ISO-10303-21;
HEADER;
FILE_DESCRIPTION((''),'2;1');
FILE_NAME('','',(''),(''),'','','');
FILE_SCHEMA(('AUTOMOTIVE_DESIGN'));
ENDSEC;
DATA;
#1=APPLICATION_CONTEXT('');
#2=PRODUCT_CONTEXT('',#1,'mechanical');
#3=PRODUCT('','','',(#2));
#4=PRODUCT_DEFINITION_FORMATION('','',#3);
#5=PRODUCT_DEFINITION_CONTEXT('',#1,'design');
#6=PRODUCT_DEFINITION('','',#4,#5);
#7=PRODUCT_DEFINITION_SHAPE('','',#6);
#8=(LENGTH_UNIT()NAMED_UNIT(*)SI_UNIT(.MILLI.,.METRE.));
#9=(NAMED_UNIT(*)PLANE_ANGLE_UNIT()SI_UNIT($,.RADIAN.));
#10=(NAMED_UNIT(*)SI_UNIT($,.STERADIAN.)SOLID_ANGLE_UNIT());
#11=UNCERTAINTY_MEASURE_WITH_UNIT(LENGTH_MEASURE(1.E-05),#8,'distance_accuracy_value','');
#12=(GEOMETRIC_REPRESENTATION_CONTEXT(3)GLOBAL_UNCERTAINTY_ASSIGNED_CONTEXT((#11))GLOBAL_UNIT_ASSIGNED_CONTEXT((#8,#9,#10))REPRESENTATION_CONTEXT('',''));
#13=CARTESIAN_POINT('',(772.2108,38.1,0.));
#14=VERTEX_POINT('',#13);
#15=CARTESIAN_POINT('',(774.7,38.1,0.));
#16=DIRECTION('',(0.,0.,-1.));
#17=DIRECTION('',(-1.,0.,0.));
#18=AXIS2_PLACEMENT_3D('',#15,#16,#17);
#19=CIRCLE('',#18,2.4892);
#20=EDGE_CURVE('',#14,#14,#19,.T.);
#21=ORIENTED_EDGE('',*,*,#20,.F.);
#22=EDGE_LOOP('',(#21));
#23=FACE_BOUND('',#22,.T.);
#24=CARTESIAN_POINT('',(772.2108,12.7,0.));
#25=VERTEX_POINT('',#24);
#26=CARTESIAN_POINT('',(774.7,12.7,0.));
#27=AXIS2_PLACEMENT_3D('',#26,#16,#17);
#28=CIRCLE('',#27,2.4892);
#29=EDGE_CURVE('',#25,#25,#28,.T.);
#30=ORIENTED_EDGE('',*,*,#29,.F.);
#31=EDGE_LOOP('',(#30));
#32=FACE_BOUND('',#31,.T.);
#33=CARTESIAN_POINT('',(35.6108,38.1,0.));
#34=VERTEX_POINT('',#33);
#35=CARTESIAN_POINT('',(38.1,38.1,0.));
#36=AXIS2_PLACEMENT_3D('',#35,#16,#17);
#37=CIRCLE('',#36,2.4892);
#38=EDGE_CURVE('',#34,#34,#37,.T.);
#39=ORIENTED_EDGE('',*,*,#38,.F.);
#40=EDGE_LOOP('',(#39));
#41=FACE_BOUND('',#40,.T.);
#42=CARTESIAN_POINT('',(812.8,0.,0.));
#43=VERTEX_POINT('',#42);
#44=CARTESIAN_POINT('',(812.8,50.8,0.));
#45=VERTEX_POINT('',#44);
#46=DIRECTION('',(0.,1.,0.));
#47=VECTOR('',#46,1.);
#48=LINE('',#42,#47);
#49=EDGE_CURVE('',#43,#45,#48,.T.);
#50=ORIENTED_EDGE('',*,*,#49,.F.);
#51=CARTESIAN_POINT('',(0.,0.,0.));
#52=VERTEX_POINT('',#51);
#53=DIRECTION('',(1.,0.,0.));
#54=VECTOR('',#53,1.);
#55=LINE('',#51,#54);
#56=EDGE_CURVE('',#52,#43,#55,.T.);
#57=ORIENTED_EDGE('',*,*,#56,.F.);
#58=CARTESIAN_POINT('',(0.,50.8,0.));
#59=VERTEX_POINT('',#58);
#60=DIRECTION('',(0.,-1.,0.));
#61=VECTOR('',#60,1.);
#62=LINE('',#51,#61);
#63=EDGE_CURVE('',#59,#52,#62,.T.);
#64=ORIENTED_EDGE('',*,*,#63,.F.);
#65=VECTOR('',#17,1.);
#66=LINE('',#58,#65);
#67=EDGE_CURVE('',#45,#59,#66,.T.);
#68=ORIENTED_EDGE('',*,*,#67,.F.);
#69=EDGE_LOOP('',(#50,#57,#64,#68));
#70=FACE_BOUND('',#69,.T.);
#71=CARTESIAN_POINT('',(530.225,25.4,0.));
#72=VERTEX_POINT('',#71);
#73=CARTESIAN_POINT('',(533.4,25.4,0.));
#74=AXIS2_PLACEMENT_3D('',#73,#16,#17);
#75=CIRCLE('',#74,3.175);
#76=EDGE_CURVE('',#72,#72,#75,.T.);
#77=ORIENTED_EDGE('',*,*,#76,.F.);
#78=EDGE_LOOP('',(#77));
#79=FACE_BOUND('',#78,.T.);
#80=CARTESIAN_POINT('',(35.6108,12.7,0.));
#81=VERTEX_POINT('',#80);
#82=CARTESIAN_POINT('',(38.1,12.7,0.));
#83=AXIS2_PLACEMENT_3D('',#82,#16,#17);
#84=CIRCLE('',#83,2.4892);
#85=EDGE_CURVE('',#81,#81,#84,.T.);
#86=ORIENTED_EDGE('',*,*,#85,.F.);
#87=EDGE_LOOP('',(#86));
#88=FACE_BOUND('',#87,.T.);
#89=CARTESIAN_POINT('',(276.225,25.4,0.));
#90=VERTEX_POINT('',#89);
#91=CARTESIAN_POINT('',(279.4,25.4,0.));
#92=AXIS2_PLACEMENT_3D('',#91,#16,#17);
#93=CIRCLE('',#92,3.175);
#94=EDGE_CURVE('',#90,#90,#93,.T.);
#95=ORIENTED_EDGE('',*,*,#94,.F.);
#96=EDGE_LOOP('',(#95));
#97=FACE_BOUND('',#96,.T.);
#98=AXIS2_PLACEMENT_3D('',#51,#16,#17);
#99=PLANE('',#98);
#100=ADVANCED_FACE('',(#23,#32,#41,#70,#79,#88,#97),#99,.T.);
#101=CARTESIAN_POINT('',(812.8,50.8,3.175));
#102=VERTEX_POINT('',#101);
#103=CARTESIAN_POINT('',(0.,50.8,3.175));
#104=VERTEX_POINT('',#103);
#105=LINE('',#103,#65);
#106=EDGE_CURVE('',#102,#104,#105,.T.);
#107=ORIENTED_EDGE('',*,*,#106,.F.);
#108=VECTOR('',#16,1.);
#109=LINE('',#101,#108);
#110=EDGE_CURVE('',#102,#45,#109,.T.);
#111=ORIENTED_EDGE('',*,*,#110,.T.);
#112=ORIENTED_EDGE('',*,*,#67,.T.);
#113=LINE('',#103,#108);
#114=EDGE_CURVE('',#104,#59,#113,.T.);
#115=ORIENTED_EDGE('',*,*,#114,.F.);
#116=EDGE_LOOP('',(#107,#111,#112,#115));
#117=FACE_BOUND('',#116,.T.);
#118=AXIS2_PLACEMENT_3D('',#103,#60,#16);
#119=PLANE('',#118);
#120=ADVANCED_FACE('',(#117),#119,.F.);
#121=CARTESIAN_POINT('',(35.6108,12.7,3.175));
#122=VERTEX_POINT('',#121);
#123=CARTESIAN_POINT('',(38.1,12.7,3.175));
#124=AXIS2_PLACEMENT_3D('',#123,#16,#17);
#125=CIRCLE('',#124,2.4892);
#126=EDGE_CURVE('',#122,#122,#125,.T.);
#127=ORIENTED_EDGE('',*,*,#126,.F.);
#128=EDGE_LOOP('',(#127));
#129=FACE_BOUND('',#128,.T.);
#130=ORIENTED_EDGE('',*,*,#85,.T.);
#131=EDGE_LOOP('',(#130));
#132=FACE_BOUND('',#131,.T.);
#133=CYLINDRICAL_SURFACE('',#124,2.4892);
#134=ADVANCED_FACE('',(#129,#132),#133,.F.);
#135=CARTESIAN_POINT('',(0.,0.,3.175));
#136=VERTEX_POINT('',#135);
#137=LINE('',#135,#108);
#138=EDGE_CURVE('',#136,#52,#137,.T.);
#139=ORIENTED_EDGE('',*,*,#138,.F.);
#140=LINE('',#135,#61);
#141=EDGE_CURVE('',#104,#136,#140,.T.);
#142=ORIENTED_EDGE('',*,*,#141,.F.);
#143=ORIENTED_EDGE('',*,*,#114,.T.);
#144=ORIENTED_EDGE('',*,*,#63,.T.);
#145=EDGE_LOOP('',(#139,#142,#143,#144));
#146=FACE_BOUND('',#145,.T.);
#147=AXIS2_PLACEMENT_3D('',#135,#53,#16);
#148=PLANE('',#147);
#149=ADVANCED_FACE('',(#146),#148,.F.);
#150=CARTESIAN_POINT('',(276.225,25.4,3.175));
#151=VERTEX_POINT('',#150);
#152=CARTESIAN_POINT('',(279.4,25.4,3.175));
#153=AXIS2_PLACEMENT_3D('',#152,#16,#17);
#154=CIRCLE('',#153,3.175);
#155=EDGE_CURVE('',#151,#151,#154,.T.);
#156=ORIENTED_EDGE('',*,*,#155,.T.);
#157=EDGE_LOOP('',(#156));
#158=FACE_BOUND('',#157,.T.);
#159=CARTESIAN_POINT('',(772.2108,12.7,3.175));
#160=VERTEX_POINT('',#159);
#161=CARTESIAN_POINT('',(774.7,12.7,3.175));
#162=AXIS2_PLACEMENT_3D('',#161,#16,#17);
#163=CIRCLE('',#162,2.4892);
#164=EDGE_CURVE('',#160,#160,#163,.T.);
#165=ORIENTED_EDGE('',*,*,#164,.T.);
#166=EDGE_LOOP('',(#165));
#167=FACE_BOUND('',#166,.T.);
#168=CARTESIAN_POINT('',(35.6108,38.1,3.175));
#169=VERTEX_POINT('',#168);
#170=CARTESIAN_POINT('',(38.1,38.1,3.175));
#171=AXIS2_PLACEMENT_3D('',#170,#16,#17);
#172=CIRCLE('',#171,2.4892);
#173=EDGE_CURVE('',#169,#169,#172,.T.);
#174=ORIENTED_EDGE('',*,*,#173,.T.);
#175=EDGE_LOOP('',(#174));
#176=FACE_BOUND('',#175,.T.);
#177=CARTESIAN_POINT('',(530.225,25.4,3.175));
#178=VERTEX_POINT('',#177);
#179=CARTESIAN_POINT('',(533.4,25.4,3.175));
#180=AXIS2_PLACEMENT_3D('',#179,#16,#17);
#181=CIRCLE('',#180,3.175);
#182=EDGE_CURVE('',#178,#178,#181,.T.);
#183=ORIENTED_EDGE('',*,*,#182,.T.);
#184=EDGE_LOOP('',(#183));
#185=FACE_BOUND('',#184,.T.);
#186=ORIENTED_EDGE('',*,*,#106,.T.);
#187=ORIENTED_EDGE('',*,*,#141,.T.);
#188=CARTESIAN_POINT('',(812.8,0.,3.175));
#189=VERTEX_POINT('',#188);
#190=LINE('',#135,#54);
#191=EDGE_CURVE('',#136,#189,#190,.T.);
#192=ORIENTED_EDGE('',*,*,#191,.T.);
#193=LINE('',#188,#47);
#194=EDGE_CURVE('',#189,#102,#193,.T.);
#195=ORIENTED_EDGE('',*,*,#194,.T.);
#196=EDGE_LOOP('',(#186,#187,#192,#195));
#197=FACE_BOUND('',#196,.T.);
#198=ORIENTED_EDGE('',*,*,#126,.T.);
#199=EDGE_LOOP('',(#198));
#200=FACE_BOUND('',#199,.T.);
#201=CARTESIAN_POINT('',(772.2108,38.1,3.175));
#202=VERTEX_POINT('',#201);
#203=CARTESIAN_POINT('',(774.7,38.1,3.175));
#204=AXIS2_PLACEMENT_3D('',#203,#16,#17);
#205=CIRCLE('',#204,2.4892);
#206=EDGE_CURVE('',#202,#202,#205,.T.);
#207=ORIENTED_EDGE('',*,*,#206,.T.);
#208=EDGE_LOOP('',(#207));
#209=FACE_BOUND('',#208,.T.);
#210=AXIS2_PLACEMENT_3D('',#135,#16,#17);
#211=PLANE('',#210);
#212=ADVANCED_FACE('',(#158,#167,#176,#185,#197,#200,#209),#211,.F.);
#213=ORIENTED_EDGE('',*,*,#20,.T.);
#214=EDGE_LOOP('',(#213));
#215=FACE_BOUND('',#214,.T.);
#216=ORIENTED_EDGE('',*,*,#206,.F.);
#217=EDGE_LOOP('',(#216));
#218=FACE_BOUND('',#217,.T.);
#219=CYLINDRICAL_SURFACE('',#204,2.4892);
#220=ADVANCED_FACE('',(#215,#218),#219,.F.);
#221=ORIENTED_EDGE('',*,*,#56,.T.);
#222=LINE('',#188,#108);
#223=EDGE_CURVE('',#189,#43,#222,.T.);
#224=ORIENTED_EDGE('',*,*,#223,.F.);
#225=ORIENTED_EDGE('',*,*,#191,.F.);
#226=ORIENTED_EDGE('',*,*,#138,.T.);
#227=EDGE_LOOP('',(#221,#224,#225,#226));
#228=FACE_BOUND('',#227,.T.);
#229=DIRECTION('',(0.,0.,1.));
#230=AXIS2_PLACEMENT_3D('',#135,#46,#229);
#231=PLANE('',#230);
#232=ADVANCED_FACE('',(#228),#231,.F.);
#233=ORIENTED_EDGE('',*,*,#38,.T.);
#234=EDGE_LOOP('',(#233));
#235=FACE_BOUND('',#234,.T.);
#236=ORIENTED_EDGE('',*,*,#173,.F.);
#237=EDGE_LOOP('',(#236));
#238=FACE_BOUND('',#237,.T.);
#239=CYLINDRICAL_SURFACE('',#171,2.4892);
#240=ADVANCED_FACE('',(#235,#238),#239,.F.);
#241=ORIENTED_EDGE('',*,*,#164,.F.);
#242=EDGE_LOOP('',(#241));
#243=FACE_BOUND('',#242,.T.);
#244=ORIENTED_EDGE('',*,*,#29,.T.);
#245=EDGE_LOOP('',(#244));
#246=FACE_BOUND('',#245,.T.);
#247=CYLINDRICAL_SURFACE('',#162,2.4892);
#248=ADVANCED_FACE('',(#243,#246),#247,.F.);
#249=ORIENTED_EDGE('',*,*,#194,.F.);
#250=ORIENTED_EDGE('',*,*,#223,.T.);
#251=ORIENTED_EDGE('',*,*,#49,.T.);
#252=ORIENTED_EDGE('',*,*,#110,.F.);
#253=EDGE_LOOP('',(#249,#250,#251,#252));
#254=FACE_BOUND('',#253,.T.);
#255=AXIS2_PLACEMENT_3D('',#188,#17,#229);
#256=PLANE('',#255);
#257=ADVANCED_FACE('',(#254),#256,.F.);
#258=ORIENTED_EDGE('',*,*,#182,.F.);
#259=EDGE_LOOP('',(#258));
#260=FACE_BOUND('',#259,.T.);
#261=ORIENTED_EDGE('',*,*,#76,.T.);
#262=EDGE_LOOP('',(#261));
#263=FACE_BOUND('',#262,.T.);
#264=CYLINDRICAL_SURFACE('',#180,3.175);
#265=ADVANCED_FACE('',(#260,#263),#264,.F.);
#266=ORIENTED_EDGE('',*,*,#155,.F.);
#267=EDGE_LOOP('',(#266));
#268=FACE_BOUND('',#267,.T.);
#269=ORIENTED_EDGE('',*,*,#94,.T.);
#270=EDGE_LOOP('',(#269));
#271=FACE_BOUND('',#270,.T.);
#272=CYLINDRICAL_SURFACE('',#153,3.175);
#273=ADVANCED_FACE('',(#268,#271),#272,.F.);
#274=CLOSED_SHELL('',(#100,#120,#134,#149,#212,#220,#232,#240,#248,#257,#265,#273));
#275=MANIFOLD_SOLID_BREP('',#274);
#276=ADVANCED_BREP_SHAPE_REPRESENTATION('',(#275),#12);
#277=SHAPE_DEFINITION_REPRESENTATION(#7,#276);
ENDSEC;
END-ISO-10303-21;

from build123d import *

# Parameters (mm, degrees)
SKETCH1_W           = 812.8
SKETCH1_H           = 50.8
BOSS_EXTRUDE1_DEPTH = 3.175
SKETCH2_R           = 3.175
SKETCH2_R_2         = 2.4892
CUT_EXTRUDE1_DEPTH  = 4.175


with BuildPart() as part:
    # Sketch1 → Boss-Extrude1 (new body)
    with BuildSketch(Plane.XY):
        with Locations((406.4, 25.4)):
            Rectangle(SKETCH1_W, SKETCH1_H)
    extrude(amount=BOSS_EXTRUDE1_DEPTH)

    # Sketch2 → Cut-Extrude1 (cut, through all)
    with BuildSketch(Plane(origin=(0, 0, 0), x_dir=(-1, 0, 0), z_dir=(0, 0, -1))):
        with Locations((-533.4, 25.4)):
            Circle(SKETCH2_R)
        with Locations((-279.4, 25.4)):
            Circle(SKETCH2_R)
        with Locations((-38.1, 12.7)):
            Circle(SKETCH2_R_2)
        with Locations((-38.1, 38.1)):
            Circle(SKETCH2_R_2)
        with Locations((-774.7, 12.7)):
            Circle(SKETCH2_R_2)
        with Locations((-774.7, 38.1)):
            Circle(SKETCH2_R_2)
    extrude(amount=-CUT_EXTRUDE1_DEPTH, mode=Mode.SUBTRACT)


solid = part.part
